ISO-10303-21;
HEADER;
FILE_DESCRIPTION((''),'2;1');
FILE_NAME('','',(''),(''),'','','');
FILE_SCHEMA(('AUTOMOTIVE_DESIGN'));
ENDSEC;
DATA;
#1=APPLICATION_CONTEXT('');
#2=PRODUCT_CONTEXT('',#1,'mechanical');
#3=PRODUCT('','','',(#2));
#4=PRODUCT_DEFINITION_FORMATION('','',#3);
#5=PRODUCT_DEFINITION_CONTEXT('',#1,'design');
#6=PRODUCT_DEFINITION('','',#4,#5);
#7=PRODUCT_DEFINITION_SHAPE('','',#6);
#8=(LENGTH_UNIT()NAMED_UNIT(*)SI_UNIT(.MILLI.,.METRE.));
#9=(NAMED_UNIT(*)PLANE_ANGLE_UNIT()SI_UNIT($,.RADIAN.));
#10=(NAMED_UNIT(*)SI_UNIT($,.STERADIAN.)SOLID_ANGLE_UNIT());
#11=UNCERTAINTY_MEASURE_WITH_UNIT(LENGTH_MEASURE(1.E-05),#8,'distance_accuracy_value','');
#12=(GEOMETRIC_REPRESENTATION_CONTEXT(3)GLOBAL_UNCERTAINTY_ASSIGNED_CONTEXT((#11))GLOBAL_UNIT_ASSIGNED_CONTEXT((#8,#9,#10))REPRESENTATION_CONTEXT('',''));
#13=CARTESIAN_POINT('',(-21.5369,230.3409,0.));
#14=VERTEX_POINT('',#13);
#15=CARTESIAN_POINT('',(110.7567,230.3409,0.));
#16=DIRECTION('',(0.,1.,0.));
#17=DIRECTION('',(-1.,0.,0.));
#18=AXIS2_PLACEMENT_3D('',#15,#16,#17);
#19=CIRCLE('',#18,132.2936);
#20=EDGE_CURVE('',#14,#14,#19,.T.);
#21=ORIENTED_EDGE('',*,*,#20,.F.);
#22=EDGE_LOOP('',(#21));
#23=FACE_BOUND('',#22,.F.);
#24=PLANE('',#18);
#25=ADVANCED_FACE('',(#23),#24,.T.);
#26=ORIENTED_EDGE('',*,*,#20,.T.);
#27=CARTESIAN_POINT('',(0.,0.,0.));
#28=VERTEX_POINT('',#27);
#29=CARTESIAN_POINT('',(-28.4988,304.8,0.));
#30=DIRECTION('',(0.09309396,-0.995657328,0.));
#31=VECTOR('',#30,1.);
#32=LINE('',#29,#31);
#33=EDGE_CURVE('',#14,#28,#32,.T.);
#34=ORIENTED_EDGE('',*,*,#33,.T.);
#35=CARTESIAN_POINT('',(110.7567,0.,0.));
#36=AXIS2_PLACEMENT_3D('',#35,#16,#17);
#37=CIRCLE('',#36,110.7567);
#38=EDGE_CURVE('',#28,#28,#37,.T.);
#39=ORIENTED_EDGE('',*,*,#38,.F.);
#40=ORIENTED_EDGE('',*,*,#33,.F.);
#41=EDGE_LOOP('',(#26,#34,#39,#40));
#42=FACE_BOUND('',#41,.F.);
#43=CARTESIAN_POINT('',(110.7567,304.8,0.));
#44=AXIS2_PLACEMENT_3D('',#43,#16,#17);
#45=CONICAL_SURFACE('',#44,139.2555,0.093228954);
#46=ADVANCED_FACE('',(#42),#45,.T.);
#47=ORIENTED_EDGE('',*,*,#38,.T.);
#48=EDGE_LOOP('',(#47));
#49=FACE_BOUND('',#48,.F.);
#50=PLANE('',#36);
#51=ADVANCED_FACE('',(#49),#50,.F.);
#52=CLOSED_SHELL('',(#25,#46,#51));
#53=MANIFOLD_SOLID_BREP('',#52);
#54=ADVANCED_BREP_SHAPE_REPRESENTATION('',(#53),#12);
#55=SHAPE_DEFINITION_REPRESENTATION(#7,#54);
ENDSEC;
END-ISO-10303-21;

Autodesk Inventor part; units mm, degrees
ref_plane "YZ Plane" through (0, 0, 0) normal (1, 0, 0) x (0, 1, 0)
ref_plane "XZ Plane" through (0, 0, 0) normal (0, 1, 0) x (-1, 0, 0)
ref_plane "XY Plane" through (0, 0, 0) normal (0, 0, 1) x (1, 0, 0)
sketch "Sketch2" plane through (0, 0, 0) normal (0, 0, 1) x (1, 0, 0)
  line L0 (110.7567, 0) -> (110.7567, 304.8)
  line L1 (110.7567, 304.8) -> (-28.4988, 304.8)
  line L2 (-28.4988, 304.8) -> (0, 0)
  line L3 (110.7567, 230.3409) -> (-21.5369, 230.3409)
  line L4 (0, 0) -> (110.7567, 0)
  dimension "d2" = 139.2555
  dimension "d9" = 132.2936
revolve "Revolution2" add sketch "Sketch2" angle 360 about axis through (110.7567, 0, 0) along (0, 1, 0) contours L4 L2 L3 L0
properties part number "smokestack dimentions"
